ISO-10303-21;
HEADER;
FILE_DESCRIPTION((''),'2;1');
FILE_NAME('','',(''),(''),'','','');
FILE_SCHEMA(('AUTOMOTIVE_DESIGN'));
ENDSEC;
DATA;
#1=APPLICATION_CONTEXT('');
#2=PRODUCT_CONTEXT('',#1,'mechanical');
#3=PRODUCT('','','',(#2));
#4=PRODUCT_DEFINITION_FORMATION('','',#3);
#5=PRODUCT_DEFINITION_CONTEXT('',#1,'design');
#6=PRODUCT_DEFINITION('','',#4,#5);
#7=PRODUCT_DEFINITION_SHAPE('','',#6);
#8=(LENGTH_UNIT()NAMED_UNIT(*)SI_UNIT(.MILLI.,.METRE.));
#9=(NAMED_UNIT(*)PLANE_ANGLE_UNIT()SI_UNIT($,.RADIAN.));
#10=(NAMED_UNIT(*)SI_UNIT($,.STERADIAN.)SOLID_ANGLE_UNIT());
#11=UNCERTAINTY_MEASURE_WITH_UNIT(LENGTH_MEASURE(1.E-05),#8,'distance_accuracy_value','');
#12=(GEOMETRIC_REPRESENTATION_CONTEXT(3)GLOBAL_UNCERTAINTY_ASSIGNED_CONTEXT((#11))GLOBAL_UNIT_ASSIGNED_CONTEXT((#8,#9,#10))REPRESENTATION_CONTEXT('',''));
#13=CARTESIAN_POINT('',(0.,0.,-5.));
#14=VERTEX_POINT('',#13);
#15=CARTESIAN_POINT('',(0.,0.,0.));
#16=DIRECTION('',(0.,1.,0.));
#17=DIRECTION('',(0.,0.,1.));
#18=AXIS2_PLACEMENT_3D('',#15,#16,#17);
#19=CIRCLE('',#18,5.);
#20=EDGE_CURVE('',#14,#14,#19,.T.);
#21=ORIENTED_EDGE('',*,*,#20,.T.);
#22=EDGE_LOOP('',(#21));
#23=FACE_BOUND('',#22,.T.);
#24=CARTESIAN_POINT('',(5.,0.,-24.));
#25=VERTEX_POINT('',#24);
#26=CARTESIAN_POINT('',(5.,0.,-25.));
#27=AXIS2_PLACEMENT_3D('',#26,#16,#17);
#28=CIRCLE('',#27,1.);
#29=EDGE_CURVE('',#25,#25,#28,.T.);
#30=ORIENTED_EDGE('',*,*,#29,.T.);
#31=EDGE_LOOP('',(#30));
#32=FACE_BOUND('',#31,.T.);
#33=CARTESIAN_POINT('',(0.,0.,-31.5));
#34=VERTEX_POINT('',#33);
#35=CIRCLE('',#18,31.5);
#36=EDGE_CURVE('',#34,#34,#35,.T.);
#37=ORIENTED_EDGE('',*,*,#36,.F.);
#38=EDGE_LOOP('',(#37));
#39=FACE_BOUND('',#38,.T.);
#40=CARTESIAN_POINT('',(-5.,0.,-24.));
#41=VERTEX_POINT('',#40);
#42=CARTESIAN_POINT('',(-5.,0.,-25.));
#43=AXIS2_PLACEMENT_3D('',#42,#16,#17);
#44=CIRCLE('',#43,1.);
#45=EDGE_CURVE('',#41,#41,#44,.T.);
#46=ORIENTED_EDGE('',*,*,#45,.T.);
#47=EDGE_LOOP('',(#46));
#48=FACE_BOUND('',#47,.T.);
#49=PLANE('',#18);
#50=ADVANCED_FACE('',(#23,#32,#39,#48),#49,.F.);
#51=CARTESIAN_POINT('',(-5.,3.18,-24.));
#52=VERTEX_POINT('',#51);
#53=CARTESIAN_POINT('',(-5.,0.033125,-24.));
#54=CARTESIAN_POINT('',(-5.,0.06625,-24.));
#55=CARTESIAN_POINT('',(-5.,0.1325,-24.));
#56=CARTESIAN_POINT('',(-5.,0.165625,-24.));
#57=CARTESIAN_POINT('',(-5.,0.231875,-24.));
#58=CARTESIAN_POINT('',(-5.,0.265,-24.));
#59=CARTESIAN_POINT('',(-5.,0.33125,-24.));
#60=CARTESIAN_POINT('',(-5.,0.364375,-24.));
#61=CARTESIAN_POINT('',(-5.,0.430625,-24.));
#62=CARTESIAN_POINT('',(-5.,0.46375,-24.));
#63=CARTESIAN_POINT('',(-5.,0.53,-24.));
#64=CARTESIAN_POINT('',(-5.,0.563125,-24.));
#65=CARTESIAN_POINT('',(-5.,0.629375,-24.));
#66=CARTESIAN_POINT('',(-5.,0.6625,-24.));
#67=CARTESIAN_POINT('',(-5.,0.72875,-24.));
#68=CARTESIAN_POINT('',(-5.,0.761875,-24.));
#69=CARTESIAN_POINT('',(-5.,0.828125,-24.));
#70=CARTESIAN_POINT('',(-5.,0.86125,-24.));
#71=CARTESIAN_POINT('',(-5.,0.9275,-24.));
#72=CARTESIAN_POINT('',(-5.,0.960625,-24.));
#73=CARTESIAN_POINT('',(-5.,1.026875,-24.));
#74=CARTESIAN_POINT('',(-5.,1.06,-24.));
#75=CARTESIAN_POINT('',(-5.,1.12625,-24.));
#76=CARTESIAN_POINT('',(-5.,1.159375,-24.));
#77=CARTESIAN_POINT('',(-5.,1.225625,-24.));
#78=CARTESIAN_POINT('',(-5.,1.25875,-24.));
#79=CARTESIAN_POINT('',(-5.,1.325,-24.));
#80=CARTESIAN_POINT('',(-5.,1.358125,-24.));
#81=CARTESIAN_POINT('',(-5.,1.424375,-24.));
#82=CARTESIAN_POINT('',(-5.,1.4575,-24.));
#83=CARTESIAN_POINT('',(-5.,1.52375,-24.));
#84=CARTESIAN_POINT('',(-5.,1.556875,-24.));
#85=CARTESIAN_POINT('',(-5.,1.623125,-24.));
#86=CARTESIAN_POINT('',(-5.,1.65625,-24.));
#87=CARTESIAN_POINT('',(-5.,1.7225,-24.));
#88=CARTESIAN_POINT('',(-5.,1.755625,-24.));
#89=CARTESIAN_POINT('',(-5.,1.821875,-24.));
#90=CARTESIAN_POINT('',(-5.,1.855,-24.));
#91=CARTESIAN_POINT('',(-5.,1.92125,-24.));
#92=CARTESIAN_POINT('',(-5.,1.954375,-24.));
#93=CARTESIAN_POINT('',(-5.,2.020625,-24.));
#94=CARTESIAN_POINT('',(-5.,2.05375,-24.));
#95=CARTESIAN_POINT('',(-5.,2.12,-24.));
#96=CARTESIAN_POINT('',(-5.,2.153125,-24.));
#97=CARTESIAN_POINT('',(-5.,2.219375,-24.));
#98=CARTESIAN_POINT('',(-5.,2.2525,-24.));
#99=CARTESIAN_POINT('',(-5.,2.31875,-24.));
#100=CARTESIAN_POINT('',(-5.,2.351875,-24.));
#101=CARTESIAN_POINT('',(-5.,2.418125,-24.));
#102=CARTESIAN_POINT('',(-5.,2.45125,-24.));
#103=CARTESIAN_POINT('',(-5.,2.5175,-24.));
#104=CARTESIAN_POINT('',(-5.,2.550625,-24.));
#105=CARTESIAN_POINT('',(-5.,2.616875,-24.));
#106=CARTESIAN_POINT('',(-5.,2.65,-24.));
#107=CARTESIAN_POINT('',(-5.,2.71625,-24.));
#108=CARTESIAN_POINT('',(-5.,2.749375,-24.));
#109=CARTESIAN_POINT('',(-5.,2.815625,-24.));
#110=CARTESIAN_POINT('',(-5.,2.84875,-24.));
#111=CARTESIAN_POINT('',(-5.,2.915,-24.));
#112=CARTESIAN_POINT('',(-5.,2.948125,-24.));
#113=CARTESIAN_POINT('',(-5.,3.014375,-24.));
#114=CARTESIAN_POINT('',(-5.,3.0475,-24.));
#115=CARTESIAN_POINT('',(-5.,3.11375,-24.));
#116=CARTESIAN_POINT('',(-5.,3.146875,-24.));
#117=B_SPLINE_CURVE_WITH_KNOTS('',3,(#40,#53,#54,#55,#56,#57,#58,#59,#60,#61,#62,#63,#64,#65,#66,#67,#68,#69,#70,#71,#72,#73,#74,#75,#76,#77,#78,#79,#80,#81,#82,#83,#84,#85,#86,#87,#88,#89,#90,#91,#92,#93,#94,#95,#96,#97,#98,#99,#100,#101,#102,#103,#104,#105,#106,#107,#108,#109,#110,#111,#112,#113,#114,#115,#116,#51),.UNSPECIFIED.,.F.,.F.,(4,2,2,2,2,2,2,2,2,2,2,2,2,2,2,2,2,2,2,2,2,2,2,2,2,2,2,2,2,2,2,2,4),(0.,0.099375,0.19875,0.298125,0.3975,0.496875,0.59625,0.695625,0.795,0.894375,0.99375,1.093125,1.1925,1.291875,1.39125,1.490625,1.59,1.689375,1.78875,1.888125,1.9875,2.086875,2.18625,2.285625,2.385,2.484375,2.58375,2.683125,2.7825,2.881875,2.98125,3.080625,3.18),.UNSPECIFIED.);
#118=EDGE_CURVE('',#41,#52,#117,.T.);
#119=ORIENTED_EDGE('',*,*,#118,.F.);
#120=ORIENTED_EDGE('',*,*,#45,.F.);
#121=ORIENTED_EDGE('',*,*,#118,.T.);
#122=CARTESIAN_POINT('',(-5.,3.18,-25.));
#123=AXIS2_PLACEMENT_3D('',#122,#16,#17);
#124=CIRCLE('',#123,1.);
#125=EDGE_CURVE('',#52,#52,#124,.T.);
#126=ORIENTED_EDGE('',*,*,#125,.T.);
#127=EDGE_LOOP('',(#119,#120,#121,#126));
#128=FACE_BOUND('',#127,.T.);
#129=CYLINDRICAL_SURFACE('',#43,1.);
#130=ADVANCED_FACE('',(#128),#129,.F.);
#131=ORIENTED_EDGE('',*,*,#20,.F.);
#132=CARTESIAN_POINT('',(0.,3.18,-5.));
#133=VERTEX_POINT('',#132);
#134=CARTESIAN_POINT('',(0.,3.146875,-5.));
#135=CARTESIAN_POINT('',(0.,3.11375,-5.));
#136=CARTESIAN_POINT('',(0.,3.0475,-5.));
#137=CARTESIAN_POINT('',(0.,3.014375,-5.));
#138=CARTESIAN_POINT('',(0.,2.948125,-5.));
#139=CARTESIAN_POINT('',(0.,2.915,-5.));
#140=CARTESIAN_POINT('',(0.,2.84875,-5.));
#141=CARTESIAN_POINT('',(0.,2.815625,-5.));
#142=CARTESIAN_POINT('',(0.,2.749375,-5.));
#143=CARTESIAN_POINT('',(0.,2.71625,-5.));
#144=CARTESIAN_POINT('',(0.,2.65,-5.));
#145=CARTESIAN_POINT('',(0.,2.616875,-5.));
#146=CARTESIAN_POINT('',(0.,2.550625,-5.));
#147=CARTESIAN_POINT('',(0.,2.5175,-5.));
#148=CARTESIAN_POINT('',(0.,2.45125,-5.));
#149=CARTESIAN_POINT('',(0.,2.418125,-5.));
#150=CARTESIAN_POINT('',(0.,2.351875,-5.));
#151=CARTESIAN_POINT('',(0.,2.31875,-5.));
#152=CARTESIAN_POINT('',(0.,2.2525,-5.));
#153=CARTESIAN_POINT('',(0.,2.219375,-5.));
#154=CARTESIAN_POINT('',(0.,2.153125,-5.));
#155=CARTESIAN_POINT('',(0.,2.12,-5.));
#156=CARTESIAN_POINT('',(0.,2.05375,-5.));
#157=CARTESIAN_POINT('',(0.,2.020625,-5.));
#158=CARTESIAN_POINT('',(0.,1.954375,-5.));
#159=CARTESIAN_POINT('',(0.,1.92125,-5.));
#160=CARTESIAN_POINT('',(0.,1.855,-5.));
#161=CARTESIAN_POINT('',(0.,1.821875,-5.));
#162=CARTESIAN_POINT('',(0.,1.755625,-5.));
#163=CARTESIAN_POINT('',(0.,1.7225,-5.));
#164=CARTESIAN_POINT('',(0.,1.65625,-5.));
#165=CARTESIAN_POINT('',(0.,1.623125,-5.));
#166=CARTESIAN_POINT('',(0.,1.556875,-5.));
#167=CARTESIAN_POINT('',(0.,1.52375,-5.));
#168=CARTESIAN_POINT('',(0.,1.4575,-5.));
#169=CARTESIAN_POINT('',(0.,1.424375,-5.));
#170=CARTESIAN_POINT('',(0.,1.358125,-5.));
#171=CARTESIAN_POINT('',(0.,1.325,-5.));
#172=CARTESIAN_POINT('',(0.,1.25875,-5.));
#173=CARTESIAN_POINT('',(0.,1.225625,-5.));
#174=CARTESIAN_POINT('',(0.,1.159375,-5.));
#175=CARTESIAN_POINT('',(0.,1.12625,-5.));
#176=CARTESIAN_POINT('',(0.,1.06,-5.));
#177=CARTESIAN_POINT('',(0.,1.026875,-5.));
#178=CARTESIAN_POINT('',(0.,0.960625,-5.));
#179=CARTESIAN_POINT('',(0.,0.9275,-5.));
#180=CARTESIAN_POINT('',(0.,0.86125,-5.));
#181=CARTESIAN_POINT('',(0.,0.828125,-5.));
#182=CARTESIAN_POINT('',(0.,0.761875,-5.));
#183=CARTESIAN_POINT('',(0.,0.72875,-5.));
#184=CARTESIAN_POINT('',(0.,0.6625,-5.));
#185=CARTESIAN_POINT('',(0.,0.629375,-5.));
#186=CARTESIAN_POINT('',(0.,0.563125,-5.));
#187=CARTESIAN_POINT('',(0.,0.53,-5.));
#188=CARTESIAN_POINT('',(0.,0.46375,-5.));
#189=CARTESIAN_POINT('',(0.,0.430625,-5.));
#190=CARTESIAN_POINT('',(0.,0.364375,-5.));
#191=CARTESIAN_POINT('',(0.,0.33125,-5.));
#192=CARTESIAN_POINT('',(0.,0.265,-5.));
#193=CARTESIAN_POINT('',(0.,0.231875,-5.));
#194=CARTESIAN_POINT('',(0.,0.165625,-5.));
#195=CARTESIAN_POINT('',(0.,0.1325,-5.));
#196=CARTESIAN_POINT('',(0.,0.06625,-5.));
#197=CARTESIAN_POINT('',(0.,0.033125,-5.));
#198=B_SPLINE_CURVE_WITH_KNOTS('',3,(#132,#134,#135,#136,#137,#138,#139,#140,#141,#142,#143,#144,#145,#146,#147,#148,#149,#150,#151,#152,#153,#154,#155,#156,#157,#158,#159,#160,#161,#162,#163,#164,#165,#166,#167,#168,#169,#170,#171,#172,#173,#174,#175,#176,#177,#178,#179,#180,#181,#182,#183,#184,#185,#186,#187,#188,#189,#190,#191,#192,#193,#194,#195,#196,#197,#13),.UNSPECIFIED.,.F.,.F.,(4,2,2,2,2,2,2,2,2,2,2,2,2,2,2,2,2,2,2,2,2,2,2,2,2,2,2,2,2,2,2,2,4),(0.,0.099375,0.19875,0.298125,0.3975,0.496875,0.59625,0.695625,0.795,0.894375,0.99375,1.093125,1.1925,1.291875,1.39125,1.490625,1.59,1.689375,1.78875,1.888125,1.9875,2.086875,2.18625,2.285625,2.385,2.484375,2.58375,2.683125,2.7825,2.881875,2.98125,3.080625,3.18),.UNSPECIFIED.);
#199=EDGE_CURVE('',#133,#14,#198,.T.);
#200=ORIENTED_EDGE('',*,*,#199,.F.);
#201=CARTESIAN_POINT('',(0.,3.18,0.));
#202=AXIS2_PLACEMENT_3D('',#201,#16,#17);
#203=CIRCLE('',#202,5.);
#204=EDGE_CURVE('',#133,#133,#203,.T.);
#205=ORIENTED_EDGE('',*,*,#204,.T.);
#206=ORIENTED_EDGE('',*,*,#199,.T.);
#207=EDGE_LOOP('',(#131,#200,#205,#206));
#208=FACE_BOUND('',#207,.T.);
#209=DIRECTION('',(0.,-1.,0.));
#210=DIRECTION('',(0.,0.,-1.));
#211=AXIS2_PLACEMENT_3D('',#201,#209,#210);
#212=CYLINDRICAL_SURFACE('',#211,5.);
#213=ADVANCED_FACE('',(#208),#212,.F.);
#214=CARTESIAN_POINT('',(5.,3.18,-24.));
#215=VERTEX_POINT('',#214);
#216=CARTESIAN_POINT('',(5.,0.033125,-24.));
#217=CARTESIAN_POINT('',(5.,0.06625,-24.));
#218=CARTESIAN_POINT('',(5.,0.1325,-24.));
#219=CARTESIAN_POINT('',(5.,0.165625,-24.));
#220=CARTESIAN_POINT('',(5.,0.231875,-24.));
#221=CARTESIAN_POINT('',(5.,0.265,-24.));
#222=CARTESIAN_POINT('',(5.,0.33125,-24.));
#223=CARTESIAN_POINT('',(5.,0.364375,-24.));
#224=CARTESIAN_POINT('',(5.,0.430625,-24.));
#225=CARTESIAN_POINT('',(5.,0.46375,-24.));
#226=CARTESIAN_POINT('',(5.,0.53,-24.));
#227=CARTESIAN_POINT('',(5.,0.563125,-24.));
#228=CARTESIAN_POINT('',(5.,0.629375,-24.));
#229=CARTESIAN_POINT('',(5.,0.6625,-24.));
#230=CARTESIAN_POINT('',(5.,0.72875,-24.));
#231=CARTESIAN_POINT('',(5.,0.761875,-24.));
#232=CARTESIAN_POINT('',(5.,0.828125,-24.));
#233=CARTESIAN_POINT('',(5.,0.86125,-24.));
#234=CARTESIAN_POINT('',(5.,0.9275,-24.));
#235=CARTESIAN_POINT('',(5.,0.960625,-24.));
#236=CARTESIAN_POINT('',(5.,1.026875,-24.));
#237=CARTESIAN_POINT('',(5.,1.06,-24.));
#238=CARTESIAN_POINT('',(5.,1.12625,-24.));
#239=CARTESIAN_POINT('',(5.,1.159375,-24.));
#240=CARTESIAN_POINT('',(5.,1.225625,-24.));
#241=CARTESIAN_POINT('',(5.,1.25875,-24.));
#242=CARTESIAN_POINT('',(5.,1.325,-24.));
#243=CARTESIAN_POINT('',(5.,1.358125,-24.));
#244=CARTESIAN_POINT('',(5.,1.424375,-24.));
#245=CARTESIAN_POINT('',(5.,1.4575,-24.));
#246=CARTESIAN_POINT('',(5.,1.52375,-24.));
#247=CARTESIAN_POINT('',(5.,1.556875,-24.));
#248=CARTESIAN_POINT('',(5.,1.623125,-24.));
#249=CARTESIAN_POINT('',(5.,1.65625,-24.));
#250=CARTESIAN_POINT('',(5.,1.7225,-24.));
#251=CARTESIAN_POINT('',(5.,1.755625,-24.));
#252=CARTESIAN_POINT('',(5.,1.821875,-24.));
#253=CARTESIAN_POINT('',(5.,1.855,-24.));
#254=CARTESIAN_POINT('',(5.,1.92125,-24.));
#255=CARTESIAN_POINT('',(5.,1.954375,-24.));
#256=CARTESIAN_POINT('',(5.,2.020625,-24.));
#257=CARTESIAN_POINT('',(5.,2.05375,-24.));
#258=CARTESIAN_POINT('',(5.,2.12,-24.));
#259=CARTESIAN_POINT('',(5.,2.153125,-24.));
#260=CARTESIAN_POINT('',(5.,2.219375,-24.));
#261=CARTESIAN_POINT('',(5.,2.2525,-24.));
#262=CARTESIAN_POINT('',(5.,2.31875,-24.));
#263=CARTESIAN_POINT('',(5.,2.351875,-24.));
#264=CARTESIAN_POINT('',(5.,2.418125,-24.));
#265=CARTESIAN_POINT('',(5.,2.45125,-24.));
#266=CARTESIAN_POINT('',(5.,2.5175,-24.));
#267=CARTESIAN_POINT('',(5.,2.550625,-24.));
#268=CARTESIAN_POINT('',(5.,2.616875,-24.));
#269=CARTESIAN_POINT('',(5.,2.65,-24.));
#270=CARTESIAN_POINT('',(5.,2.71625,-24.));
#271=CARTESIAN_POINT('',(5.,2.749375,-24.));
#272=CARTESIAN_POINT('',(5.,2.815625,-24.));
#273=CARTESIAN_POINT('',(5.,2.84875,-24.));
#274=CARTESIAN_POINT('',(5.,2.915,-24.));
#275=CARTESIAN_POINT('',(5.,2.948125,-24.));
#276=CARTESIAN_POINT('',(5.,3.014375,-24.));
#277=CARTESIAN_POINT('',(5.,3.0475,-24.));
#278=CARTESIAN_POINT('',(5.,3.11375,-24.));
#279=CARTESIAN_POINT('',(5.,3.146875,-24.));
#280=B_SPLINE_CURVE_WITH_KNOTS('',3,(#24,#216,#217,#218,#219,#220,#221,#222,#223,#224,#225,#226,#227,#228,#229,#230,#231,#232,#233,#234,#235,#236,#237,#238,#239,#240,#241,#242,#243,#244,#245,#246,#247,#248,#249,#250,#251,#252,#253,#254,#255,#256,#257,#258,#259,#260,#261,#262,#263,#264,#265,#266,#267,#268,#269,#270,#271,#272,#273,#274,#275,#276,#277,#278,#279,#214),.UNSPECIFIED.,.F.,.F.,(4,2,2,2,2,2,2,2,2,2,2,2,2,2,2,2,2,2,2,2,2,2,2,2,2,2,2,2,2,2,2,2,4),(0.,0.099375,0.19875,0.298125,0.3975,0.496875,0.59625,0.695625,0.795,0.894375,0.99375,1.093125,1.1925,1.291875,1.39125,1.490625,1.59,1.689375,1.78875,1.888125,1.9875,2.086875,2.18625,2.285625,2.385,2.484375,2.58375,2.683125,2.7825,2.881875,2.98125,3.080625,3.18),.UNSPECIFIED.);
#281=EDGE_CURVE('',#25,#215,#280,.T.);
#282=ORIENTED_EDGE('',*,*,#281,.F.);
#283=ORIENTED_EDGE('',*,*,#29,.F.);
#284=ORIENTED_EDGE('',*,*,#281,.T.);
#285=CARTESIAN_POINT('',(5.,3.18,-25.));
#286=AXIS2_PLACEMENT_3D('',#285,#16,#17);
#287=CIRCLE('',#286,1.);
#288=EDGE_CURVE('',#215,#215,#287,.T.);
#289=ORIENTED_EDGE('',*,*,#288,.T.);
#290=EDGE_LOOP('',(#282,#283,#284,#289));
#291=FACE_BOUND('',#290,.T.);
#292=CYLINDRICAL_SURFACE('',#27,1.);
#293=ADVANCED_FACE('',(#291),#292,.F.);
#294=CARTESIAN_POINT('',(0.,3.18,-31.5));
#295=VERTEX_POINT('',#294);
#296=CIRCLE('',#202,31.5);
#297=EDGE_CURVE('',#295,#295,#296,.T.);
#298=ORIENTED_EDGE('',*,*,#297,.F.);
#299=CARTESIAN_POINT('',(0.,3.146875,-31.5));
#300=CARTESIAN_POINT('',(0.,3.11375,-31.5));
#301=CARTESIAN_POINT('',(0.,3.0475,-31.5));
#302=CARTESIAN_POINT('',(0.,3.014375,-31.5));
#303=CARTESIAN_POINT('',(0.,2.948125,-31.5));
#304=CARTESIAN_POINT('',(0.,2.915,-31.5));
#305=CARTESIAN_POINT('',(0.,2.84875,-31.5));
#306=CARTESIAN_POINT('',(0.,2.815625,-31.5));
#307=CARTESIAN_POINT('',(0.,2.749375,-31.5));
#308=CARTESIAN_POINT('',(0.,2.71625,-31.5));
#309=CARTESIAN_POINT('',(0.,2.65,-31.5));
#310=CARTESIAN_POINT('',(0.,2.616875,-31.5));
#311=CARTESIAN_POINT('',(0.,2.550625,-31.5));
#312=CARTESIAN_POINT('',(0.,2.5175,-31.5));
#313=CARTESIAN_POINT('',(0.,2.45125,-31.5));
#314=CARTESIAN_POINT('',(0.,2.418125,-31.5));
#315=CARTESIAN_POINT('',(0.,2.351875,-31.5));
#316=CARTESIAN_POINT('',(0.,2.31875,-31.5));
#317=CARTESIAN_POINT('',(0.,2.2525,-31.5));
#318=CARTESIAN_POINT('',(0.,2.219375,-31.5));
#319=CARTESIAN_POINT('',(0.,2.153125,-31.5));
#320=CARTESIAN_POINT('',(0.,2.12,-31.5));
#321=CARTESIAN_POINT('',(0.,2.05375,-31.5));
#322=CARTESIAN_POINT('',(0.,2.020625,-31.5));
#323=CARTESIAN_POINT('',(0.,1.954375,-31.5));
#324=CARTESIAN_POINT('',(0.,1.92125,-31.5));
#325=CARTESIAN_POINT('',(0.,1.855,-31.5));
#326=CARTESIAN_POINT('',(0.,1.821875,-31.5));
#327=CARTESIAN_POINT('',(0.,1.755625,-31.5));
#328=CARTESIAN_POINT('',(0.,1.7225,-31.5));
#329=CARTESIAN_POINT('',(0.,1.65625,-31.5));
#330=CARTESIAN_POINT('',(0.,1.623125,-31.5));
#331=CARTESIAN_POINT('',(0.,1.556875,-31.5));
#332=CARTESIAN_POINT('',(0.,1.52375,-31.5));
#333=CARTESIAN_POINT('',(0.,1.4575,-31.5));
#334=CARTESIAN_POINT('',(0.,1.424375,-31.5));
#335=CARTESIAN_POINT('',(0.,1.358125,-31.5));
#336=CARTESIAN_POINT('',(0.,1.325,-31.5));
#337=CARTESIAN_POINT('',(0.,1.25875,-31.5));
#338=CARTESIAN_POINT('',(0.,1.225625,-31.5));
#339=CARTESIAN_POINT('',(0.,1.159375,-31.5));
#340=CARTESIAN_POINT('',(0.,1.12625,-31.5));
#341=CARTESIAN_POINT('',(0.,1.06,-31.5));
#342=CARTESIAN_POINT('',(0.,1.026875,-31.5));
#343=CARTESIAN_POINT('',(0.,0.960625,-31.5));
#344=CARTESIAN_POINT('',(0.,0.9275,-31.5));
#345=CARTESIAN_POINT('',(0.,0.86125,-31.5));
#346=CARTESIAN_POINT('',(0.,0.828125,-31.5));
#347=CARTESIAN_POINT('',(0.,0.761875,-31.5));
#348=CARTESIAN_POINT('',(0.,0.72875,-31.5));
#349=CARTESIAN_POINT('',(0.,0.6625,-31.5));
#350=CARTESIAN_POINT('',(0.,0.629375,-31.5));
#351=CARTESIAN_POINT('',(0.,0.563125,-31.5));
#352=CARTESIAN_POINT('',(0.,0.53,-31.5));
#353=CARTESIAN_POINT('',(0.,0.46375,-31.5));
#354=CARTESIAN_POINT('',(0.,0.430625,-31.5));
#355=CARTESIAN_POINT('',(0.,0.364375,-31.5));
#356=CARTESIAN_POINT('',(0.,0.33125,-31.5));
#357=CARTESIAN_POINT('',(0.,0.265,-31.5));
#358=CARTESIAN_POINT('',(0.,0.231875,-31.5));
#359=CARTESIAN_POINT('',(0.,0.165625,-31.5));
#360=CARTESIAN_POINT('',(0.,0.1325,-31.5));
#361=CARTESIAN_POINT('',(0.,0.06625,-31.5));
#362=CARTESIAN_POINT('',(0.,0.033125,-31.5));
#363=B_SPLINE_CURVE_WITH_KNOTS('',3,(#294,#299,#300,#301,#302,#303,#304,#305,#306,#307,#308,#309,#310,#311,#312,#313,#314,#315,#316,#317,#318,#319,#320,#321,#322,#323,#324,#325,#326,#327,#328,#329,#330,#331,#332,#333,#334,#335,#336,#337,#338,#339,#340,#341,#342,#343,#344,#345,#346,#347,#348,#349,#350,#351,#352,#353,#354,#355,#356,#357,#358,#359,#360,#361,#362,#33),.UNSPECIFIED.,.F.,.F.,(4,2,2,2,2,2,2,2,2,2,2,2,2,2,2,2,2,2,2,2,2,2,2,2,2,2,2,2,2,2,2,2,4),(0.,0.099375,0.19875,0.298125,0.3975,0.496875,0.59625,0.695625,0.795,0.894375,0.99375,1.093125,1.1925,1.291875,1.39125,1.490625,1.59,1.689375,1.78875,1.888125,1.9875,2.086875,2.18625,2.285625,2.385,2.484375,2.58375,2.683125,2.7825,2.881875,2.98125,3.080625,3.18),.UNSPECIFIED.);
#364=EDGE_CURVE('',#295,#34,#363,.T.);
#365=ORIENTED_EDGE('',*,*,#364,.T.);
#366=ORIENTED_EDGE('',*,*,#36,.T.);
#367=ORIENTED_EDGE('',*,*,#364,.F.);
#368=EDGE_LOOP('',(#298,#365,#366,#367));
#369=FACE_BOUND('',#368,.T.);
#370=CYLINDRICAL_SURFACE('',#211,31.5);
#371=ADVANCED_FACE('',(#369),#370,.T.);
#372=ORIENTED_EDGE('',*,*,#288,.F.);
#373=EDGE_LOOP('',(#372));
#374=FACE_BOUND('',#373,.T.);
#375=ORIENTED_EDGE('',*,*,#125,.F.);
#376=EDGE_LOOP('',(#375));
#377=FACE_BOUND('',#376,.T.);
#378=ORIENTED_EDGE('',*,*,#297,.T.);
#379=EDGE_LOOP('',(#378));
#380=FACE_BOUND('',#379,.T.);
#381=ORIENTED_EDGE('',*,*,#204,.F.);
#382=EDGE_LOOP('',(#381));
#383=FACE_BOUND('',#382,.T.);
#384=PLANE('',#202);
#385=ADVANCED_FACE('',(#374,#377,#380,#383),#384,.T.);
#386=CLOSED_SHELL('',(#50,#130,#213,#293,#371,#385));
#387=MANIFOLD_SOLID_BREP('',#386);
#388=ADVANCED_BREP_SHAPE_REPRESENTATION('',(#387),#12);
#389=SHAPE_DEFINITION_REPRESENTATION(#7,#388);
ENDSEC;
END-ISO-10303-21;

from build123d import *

# Parameters (mm, degrees)
SKETCH1_R           = 31.5
SKETCH1_R_2         = 5
BOSS_EXTRUDE1_DEPTH = 3.18
SKETCH3_R           = 1
CUT_EXTRUDE2_DEPTH  = 45.661083731


with BuildPart() as part:
    # Sketch1 → Boss-Extrude1 (new body)
    with BuildSketch(Plane(origin=(0, 0, 0), x_dir=(1, 0, 0), z_dir=(0, 1, 0))):
        with Locations(Location((0, 0, 0), (0, 0, 90))):
            Circle(SKETCH1_R)
        with Locations(Location((0, 0, 0), (0, 0, 90))):
            Circle(SKETCH1_R_2, mode=Mode.SUBTRACT)
    extrude(amount=BOSS_EXTRUDE1_DEPTH)

    # Sketch3 → Cut-Extrude2 (cut, through all)
    with BuildSketch(Plane(origin=(0, 3.18, 0), x_dir=(1, 0, 0), z_dir=(0, 1, 0))):
        with Locations(Location((-5, 25, 0), (0, 0, 270))):
            Circle(SKETCH3_R)
        with Locations(Location((5, 25, 0), (0, 0, 270))):
            Circle(SKETCH3_R)
    extrude(amount=-CUT_EXTRUDE2_DEPTH, mode=Mode.SUBTRACT)


solid = part.part
